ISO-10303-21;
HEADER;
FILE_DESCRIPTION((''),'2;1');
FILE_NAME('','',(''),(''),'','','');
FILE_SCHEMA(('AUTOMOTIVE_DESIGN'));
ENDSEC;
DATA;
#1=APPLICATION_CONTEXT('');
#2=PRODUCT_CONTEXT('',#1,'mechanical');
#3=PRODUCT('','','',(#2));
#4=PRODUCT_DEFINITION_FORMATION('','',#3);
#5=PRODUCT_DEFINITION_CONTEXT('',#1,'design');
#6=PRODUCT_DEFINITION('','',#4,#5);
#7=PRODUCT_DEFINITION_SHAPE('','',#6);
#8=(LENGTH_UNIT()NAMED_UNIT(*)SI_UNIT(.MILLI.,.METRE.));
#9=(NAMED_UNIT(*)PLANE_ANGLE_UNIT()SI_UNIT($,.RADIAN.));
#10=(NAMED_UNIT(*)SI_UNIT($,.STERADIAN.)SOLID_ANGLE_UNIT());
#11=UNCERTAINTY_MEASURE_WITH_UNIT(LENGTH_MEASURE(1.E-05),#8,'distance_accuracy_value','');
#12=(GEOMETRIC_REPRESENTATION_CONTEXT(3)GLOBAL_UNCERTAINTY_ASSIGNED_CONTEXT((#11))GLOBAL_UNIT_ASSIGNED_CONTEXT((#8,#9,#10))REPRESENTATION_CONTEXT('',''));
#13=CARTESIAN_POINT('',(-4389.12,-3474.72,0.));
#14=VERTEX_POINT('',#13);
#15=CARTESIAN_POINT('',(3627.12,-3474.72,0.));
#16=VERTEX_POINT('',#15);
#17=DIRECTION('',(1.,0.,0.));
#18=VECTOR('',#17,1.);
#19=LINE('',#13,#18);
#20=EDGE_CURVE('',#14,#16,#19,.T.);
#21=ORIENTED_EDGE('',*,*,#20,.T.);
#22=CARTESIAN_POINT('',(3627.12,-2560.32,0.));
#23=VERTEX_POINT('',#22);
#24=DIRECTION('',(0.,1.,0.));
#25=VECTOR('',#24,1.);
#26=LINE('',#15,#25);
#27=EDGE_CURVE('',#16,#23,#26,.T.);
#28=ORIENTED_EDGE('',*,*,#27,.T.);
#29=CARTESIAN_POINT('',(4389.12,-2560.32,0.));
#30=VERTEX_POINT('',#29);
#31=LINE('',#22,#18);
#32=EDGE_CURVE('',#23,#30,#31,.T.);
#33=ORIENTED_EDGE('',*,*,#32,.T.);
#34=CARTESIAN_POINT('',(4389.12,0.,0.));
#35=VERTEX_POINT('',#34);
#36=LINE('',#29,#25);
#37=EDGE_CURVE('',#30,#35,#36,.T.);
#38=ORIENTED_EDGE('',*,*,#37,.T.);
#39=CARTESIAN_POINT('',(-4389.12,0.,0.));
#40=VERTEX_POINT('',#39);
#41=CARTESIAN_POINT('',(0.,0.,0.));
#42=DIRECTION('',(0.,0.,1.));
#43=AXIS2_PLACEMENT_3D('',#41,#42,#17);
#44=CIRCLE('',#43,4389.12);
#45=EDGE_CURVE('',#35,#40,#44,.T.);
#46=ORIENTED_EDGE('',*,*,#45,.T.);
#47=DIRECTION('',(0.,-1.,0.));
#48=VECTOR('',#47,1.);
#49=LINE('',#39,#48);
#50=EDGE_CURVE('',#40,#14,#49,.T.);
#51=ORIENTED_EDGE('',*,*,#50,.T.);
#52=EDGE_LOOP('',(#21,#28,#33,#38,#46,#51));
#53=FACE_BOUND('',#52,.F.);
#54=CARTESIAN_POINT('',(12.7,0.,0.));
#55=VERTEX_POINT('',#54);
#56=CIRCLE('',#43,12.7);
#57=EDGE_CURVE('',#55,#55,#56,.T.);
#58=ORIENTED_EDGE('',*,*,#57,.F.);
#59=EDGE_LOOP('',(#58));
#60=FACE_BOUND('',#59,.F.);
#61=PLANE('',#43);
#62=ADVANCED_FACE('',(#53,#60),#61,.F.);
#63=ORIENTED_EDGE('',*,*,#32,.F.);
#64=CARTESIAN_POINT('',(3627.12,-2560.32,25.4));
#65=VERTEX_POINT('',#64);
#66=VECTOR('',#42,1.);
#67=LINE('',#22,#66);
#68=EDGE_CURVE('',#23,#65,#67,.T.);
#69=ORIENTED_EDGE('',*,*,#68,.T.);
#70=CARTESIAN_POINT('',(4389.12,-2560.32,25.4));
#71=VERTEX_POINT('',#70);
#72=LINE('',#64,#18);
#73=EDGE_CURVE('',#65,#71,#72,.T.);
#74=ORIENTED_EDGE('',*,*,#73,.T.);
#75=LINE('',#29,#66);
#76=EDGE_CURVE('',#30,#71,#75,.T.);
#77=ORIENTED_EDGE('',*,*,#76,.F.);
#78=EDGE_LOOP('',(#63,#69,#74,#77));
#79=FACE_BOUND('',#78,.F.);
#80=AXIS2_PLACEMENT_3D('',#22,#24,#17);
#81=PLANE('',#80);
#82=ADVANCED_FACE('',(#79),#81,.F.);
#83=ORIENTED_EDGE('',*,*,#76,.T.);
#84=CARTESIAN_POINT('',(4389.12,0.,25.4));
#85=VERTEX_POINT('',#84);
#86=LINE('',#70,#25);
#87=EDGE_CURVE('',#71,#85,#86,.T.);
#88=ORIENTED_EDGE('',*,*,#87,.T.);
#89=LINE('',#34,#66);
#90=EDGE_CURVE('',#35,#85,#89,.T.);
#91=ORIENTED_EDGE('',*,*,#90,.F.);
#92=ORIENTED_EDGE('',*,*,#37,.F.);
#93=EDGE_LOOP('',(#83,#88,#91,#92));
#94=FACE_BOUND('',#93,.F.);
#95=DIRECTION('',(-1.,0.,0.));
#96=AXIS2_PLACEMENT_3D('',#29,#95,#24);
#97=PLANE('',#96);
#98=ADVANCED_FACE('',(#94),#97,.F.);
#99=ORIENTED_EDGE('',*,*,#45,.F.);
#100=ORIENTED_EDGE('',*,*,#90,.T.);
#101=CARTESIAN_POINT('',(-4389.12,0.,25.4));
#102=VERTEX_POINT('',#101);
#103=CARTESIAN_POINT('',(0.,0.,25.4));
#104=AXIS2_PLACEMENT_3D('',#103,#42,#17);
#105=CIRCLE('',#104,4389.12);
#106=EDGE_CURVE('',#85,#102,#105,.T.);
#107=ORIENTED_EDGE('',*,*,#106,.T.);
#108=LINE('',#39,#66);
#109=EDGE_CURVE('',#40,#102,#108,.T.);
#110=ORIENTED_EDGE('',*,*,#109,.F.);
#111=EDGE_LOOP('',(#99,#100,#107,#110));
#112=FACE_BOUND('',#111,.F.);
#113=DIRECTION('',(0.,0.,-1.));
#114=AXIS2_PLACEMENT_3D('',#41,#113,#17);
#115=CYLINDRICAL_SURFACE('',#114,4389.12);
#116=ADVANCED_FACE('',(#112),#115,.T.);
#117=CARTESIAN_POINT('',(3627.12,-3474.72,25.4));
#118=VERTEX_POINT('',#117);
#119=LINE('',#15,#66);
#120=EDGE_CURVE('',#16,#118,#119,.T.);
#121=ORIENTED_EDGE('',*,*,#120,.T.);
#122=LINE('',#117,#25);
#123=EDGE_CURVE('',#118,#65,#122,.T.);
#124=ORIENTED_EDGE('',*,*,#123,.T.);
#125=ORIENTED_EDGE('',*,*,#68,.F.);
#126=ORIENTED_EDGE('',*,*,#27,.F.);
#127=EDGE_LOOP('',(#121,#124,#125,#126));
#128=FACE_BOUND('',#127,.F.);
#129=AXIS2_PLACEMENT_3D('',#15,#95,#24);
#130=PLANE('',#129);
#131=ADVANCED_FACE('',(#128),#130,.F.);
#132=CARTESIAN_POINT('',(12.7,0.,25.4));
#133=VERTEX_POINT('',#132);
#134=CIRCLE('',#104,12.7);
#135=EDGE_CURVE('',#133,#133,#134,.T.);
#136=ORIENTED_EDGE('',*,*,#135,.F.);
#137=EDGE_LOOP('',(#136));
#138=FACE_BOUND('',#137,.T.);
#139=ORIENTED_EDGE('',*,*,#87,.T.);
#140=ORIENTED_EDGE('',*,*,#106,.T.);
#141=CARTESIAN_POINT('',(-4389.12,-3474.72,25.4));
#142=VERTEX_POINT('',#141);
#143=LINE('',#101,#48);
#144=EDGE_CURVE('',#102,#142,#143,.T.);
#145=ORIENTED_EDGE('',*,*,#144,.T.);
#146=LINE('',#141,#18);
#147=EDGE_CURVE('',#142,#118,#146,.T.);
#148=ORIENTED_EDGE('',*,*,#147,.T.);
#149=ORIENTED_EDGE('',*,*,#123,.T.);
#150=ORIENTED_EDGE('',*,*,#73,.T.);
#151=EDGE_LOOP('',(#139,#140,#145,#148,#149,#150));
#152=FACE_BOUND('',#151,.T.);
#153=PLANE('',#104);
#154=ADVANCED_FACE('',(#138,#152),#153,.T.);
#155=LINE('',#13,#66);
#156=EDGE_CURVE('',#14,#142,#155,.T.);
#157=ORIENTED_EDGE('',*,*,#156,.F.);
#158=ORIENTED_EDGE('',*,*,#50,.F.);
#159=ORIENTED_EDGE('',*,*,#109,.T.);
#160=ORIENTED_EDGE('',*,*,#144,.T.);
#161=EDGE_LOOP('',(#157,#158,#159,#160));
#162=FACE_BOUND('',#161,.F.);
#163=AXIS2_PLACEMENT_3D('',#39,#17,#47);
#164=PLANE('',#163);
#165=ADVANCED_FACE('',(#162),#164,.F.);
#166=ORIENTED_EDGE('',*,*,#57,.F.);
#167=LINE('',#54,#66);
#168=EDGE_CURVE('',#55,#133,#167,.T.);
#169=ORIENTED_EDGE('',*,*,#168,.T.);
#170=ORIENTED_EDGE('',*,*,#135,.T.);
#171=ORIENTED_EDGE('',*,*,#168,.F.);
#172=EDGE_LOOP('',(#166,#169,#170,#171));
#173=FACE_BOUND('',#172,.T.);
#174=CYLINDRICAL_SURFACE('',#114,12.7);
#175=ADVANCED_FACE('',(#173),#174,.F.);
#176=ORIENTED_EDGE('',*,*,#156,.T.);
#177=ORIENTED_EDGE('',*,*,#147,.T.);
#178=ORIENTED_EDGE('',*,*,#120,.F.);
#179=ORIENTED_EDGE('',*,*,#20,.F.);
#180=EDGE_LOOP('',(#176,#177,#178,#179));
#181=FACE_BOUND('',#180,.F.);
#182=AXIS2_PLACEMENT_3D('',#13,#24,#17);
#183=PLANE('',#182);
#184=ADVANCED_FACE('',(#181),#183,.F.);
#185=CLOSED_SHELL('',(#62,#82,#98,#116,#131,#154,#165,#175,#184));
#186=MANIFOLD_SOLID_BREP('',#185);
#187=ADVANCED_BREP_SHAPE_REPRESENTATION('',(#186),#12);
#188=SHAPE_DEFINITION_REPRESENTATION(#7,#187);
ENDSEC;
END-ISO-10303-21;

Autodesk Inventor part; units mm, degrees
ref_plane "YZ Plane" through (0, 0, 0) normal (1, 0, 0) x (0, 1, 0)
ref_plane "XZ Plane" through (0, 0, 0) normal (0, 1, 0) x (-1, 0, 0)
ref_plane "XY Plane" through (0, 0, 0) normal (0, 0, 1) x (1, 0, 0)
sketch "Sketch1" plane through (0, 0, 0) normal (0, 0, 1) x (1, 0, 0)
  arc A0 (4389.12, 0) -> (-4389.12, 0) centre (0, 0) ccw
  line L0 (-4389.12, 0) -> (-4389.12, -3474.72)
  line L1 (-4389.12, -3474.72) -> (3627.12, -3474.72)
  line L2 (3627.12, -3474.72) -> (3627.12, -2560.32)
  line L3 (3627.12, -2560.32) -> (4389.12, -2560.32)
  line L4 (4389.12, -2560.32) -> (4389.12, 0)
  circle A1 centre (0, 0) radius 12.7
  dimension "d0" = 4389.12
  dimension "d1" = 3474.72
  dimension "d2" = 914.4
  dimension "d3" = 762
  dimension "d4" = 2560.32
  dimension "d5" = 8016.24
  dimension "d6" = 25.4
extrude "Extrusion1" add sketch "Sketch1" along normal blind 25.4
properties part number "section"
